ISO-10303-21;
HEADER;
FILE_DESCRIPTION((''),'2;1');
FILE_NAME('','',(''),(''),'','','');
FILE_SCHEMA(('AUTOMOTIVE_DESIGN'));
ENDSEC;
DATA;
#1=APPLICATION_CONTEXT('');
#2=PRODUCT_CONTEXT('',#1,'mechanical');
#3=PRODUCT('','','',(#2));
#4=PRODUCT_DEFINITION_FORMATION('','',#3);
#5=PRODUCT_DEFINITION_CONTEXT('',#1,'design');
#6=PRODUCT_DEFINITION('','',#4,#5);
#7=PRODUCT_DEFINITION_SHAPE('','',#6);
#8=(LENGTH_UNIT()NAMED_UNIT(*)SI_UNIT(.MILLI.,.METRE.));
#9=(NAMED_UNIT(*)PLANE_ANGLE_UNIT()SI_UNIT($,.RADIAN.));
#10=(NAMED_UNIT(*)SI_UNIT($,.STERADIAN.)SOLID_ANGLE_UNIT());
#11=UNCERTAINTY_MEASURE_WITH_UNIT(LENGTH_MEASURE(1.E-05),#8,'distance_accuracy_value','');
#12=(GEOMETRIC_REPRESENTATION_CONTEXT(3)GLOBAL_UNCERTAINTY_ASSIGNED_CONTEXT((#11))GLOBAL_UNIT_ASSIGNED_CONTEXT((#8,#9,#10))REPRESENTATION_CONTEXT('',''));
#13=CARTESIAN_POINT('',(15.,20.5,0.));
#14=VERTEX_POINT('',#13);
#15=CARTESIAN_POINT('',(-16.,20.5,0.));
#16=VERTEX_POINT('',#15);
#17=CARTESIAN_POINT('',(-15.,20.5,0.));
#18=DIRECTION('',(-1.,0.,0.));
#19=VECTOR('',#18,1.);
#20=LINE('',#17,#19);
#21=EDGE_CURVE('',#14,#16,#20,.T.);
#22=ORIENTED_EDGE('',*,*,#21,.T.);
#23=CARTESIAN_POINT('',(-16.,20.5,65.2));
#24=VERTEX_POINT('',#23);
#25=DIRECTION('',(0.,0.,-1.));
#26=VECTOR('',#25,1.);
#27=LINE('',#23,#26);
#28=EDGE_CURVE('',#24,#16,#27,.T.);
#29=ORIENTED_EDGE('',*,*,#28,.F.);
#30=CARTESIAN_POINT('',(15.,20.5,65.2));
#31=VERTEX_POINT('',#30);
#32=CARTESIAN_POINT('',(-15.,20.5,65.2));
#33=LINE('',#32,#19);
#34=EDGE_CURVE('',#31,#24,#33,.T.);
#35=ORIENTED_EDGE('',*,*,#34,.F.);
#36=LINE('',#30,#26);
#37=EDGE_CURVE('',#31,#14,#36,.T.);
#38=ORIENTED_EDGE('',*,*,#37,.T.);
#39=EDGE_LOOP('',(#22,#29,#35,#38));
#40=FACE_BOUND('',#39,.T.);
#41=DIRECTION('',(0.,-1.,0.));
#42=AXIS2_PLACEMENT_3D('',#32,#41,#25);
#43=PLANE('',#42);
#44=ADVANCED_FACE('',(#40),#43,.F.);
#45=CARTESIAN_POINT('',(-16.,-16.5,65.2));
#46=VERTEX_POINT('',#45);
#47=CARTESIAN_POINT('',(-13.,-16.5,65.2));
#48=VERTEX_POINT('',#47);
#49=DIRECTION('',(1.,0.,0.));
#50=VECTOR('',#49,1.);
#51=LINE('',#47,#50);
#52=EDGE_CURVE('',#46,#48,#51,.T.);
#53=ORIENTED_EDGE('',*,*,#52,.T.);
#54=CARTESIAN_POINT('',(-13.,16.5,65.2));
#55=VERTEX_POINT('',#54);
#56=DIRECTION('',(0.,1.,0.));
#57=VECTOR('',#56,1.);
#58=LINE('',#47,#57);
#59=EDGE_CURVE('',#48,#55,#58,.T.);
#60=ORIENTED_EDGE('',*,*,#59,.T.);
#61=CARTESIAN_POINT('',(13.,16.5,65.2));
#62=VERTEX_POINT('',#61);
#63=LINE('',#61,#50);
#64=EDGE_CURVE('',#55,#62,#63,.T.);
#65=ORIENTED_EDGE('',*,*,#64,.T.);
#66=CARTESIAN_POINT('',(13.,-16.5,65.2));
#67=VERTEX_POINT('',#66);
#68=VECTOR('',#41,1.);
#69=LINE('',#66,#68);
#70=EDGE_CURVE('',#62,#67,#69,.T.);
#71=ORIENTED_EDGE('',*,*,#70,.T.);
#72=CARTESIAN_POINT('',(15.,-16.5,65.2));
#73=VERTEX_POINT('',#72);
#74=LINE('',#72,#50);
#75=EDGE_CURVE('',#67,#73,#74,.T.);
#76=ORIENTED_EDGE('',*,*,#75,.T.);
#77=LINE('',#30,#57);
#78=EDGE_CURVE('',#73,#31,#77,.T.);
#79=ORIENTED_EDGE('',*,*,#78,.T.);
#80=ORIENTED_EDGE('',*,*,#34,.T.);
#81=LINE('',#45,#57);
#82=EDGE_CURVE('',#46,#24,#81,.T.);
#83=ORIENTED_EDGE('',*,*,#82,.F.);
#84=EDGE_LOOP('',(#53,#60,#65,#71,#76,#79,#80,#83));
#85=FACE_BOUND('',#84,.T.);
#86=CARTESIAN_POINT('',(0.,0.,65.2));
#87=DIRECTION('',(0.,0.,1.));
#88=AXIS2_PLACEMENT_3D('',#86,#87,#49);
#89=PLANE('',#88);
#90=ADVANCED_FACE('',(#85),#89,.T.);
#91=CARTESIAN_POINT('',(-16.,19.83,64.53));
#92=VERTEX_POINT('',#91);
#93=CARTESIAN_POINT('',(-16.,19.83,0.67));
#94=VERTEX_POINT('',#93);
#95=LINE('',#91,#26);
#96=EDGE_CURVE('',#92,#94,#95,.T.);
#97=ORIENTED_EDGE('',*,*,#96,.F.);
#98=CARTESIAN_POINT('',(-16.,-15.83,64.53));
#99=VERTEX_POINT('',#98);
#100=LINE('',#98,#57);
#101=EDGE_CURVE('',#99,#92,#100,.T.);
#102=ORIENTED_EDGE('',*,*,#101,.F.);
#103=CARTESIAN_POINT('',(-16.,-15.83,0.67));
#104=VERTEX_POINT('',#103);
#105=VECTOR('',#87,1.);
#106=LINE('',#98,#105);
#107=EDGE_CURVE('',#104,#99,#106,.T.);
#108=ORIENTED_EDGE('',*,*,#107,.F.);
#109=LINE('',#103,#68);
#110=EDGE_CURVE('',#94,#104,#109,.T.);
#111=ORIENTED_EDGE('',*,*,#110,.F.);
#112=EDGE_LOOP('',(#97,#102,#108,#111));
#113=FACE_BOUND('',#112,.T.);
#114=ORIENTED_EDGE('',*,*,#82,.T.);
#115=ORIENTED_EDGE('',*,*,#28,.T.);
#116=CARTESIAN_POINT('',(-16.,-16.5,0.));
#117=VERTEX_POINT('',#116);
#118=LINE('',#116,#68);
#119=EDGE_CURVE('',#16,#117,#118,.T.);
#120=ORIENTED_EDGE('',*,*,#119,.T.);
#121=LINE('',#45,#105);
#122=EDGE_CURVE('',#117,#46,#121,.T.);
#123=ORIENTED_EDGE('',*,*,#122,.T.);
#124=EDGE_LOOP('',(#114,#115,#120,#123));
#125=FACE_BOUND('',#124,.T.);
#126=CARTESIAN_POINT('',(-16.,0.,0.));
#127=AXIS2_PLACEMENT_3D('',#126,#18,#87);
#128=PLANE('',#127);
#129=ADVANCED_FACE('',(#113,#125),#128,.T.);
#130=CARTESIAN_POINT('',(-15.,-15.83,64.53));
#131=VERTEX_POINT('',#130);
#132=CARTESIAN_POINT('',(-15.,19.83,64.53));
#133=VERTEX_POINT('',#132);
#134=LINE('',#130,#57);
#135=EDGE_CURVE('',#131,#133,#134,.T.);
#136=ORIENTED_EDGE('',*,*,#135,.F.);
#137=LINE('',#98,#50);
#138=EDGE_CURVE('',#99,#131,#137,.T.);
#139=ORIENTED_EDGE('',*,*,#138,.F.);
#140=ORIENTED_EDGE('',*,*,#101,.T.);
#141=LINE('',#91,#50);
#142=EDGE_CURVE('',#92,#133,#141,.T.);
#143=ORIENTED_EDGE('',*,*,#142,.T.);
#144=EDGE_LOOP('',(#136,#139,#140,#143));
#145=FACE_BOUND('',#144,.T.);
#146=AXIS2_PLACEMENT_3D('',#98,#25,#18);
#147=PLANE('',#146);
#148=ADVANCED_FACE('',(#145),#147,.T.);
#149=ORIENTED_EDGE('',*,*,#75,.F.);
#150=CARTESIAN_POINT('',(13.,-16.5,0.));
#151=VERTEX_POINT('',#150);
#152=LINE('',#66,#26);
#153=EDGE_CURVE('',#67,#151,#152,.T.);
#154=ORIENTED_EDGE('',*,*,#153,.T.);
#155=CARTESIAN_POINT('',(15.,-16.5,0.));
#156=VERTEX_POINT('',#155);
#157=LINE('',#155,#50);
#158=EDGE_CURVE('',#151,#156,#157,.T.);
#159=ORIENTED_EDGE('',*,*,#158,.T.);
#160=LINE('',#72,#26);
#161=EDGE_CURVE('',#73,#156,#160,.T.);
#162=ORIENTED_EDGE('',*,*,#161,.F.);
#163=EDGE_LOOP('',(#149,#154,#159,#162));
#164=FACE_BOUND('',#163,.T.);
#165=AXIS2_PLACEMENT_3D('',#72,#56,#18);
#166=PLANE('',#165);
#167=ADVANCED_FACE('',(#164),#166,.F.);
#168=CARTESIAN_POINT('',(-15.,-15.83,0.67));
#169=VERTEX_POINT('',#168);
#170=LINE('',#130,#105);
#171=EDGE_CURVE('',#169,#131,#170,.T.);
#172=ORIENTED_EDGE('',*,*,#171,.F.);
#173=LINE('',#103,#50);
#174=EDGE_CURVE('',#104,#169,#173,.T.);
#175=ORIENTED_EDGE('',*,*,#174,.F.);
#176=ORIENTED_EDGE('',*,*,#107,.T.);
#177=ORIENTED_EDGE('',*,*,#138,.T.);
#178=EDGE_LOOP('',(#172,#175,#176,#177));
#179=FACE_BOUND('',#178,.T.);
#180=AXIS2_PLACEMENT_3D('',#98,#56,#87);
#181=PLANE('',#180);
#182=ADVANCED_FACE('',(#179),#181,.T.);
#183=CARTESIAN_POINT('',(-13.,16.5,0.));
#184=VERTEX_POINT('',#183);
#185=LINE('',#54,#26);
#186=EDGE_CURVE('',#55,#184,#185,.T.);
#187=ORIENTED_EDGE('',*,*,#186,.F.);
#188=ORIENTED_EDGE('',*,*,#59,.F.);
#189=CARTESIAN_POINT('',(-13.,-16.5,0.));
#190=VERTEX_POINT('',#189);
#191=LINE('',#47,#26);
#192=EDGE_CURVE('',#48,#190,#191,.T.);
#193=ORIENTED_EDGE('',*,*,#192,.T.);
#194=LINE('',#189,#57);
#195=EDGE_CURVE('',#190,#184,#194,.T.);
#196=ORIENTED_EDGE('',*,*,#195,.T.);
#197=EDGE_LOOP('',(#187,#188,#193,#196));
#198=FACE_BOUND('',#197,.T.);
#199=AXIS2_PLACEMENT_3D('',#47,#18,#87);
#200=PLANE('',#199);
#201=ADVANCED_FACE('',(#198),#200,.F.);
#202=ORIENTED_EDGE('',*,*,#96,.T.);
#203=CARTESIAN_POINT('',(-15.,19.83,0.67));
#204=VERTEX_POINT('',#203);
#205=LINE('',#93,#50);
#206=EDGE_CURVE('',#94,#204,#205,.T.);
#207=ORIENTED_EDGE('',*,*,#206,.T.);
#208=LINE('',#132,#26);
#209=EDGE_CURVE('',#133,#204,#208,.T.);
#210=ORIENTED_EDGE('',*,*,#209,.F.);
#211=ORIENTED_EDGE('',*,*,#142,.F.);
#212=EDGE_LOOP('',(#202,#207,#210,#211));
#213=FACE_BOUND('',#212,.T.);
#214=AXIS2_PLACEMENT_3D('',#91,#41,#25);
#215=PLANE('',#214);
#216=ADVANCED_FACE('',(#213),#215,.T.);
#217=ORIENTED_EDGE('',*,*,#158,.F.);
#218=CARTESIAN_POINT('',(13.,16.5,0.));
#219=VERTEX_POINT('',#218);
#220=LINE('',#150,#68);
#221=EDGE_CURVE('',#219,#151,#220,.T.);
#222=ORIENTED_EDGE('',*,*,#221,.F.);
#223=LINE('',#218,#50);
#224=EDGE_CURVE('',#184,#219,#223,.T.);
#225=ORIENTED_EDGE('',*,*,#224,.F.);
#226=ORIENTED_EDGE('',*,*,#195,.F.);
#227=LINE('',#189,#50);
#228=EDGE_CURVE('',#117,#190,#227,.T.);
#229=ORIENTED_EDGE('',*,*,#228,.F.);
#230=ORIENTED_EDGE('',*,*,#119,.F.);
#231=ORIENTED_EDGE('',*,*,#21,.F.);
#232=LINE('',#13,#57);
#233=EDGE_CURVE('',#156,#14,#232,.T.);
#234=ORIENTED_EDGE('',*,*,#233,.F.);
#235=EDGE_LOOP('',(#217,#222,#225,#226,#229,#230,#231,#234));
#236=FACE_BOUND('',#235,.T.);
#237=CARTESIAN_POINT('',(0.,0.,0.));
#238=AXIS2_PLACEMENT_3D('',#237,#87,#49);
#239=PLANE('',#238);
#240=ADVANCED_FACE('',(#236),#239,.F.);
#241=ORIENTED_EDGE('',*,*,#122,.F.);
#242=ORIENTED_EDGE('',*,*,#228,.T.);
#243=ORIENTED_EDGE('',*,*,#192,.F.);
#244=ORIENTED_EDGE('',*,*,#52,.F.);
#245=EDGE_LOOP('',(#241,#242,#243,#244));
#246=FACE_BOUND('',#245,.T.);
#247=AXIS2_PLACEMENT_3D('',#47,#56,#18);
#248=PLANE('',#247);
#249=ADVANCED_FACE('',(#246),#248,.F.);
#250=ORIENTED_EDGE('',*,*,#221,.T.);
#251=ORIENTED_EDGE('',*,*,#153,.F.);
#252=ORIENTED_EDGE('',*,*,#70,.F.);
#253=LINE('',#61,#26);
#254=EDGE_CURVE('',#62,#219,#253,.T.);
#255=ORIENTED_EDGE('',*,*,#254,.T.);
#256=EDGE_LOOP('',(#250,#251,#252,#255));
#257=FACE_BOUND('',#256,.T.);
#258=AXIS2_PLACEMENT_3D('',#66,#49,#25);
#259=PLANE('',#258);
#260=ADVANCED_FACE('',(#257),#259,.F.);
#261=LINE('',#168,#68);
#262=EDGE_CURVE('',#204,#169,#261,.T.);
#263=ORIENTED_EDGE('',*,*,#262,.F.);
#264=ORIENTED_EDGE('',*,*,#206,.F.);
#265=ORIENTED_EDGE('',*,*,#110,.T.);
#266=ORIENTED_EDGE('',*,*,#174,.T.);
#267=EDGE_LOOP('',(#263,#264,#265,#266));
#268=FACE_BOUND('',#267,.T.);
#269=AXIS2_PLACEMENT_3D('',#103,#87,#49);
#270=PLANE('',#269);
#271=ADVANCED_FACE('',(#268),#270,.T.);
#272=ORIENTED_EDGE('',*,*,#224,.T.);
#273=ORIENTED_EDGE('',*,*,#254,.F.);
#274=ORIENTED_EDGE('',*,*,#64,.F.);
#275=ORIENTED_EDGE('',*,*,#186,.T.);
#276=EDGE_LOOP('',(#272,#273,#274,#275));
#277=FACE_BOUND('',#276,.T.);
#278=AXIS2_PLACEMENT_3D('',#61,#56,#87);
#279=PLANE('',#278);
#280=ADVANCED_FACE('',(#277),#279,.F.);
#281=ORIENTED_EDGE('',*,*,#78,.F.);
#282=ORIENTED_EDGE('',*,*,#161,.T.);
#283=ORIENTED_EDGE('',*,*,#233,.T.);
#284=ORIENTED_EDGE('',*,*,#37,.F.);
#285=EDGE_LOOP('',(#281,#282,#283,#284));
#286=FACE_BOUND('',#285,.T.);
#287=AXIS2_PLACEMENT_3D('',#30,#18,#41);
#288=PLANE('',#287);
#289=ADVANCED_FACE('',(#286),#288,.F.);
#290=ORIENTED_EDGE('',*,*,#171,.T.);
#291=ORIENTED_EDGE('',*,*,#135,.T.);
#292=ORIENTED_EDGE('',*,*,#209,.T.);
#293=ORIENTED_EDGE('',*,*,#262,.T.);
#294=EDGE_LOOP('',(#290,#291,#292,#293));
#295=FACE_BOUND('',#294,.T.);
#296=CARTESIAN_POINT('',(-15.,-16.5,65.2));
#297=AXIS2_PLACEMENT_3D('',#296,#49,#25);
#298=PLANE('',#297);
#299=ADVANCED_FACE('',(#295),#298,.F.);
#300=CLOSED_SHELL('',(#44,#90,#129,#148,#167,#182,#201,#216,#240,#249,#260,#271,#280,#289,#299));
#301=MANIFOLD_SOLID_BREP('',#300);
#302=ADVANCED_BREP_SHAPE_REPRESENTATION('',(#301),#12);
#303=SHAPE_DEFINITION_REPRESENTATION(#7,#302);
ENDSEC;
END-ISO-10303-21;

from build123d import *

# Parameters (mm, degrees)
FRONT_PROFILE_DEPTH  = 65.2
SKETCH3_W            = 65.2
SKETCH3_H            = 37
SKETCH3_W_2          = 63.86
SKETCH3_H_2          = 35.66
HOUSING_SNAPON_DEPTH = 1


with BuildPart() as part:
    # Sketch2 → Front Profile (new body)
    with BuildSketch(Plane.XY):
        Polygon((-13, -16.5), (-15, -16.5), (-15, 20.5), (15, 20.5), (15, -16.5), (13, -16.5), (13, 16.5), (-13, 16.5), align=None)
    extrude(amount=FRONT_PROFILE_DEPTH)

    # Sketch3 → Housing SnapOn (add)
    with BuildSketch(Plane.ZY.offset(15)):
        with Locations((32.6, 2)):
            Rectangle(SKETCH3_W, SKETCH3_H)
        with Locations((32.6, 2)):
            Rectangle(SKETCH3_W_2, SKETCH3_H_2, mode=Mode.SUBTRACT)
    extrude(amount=HOUSING_SNAPON_DEPTH)


solid = part.part
